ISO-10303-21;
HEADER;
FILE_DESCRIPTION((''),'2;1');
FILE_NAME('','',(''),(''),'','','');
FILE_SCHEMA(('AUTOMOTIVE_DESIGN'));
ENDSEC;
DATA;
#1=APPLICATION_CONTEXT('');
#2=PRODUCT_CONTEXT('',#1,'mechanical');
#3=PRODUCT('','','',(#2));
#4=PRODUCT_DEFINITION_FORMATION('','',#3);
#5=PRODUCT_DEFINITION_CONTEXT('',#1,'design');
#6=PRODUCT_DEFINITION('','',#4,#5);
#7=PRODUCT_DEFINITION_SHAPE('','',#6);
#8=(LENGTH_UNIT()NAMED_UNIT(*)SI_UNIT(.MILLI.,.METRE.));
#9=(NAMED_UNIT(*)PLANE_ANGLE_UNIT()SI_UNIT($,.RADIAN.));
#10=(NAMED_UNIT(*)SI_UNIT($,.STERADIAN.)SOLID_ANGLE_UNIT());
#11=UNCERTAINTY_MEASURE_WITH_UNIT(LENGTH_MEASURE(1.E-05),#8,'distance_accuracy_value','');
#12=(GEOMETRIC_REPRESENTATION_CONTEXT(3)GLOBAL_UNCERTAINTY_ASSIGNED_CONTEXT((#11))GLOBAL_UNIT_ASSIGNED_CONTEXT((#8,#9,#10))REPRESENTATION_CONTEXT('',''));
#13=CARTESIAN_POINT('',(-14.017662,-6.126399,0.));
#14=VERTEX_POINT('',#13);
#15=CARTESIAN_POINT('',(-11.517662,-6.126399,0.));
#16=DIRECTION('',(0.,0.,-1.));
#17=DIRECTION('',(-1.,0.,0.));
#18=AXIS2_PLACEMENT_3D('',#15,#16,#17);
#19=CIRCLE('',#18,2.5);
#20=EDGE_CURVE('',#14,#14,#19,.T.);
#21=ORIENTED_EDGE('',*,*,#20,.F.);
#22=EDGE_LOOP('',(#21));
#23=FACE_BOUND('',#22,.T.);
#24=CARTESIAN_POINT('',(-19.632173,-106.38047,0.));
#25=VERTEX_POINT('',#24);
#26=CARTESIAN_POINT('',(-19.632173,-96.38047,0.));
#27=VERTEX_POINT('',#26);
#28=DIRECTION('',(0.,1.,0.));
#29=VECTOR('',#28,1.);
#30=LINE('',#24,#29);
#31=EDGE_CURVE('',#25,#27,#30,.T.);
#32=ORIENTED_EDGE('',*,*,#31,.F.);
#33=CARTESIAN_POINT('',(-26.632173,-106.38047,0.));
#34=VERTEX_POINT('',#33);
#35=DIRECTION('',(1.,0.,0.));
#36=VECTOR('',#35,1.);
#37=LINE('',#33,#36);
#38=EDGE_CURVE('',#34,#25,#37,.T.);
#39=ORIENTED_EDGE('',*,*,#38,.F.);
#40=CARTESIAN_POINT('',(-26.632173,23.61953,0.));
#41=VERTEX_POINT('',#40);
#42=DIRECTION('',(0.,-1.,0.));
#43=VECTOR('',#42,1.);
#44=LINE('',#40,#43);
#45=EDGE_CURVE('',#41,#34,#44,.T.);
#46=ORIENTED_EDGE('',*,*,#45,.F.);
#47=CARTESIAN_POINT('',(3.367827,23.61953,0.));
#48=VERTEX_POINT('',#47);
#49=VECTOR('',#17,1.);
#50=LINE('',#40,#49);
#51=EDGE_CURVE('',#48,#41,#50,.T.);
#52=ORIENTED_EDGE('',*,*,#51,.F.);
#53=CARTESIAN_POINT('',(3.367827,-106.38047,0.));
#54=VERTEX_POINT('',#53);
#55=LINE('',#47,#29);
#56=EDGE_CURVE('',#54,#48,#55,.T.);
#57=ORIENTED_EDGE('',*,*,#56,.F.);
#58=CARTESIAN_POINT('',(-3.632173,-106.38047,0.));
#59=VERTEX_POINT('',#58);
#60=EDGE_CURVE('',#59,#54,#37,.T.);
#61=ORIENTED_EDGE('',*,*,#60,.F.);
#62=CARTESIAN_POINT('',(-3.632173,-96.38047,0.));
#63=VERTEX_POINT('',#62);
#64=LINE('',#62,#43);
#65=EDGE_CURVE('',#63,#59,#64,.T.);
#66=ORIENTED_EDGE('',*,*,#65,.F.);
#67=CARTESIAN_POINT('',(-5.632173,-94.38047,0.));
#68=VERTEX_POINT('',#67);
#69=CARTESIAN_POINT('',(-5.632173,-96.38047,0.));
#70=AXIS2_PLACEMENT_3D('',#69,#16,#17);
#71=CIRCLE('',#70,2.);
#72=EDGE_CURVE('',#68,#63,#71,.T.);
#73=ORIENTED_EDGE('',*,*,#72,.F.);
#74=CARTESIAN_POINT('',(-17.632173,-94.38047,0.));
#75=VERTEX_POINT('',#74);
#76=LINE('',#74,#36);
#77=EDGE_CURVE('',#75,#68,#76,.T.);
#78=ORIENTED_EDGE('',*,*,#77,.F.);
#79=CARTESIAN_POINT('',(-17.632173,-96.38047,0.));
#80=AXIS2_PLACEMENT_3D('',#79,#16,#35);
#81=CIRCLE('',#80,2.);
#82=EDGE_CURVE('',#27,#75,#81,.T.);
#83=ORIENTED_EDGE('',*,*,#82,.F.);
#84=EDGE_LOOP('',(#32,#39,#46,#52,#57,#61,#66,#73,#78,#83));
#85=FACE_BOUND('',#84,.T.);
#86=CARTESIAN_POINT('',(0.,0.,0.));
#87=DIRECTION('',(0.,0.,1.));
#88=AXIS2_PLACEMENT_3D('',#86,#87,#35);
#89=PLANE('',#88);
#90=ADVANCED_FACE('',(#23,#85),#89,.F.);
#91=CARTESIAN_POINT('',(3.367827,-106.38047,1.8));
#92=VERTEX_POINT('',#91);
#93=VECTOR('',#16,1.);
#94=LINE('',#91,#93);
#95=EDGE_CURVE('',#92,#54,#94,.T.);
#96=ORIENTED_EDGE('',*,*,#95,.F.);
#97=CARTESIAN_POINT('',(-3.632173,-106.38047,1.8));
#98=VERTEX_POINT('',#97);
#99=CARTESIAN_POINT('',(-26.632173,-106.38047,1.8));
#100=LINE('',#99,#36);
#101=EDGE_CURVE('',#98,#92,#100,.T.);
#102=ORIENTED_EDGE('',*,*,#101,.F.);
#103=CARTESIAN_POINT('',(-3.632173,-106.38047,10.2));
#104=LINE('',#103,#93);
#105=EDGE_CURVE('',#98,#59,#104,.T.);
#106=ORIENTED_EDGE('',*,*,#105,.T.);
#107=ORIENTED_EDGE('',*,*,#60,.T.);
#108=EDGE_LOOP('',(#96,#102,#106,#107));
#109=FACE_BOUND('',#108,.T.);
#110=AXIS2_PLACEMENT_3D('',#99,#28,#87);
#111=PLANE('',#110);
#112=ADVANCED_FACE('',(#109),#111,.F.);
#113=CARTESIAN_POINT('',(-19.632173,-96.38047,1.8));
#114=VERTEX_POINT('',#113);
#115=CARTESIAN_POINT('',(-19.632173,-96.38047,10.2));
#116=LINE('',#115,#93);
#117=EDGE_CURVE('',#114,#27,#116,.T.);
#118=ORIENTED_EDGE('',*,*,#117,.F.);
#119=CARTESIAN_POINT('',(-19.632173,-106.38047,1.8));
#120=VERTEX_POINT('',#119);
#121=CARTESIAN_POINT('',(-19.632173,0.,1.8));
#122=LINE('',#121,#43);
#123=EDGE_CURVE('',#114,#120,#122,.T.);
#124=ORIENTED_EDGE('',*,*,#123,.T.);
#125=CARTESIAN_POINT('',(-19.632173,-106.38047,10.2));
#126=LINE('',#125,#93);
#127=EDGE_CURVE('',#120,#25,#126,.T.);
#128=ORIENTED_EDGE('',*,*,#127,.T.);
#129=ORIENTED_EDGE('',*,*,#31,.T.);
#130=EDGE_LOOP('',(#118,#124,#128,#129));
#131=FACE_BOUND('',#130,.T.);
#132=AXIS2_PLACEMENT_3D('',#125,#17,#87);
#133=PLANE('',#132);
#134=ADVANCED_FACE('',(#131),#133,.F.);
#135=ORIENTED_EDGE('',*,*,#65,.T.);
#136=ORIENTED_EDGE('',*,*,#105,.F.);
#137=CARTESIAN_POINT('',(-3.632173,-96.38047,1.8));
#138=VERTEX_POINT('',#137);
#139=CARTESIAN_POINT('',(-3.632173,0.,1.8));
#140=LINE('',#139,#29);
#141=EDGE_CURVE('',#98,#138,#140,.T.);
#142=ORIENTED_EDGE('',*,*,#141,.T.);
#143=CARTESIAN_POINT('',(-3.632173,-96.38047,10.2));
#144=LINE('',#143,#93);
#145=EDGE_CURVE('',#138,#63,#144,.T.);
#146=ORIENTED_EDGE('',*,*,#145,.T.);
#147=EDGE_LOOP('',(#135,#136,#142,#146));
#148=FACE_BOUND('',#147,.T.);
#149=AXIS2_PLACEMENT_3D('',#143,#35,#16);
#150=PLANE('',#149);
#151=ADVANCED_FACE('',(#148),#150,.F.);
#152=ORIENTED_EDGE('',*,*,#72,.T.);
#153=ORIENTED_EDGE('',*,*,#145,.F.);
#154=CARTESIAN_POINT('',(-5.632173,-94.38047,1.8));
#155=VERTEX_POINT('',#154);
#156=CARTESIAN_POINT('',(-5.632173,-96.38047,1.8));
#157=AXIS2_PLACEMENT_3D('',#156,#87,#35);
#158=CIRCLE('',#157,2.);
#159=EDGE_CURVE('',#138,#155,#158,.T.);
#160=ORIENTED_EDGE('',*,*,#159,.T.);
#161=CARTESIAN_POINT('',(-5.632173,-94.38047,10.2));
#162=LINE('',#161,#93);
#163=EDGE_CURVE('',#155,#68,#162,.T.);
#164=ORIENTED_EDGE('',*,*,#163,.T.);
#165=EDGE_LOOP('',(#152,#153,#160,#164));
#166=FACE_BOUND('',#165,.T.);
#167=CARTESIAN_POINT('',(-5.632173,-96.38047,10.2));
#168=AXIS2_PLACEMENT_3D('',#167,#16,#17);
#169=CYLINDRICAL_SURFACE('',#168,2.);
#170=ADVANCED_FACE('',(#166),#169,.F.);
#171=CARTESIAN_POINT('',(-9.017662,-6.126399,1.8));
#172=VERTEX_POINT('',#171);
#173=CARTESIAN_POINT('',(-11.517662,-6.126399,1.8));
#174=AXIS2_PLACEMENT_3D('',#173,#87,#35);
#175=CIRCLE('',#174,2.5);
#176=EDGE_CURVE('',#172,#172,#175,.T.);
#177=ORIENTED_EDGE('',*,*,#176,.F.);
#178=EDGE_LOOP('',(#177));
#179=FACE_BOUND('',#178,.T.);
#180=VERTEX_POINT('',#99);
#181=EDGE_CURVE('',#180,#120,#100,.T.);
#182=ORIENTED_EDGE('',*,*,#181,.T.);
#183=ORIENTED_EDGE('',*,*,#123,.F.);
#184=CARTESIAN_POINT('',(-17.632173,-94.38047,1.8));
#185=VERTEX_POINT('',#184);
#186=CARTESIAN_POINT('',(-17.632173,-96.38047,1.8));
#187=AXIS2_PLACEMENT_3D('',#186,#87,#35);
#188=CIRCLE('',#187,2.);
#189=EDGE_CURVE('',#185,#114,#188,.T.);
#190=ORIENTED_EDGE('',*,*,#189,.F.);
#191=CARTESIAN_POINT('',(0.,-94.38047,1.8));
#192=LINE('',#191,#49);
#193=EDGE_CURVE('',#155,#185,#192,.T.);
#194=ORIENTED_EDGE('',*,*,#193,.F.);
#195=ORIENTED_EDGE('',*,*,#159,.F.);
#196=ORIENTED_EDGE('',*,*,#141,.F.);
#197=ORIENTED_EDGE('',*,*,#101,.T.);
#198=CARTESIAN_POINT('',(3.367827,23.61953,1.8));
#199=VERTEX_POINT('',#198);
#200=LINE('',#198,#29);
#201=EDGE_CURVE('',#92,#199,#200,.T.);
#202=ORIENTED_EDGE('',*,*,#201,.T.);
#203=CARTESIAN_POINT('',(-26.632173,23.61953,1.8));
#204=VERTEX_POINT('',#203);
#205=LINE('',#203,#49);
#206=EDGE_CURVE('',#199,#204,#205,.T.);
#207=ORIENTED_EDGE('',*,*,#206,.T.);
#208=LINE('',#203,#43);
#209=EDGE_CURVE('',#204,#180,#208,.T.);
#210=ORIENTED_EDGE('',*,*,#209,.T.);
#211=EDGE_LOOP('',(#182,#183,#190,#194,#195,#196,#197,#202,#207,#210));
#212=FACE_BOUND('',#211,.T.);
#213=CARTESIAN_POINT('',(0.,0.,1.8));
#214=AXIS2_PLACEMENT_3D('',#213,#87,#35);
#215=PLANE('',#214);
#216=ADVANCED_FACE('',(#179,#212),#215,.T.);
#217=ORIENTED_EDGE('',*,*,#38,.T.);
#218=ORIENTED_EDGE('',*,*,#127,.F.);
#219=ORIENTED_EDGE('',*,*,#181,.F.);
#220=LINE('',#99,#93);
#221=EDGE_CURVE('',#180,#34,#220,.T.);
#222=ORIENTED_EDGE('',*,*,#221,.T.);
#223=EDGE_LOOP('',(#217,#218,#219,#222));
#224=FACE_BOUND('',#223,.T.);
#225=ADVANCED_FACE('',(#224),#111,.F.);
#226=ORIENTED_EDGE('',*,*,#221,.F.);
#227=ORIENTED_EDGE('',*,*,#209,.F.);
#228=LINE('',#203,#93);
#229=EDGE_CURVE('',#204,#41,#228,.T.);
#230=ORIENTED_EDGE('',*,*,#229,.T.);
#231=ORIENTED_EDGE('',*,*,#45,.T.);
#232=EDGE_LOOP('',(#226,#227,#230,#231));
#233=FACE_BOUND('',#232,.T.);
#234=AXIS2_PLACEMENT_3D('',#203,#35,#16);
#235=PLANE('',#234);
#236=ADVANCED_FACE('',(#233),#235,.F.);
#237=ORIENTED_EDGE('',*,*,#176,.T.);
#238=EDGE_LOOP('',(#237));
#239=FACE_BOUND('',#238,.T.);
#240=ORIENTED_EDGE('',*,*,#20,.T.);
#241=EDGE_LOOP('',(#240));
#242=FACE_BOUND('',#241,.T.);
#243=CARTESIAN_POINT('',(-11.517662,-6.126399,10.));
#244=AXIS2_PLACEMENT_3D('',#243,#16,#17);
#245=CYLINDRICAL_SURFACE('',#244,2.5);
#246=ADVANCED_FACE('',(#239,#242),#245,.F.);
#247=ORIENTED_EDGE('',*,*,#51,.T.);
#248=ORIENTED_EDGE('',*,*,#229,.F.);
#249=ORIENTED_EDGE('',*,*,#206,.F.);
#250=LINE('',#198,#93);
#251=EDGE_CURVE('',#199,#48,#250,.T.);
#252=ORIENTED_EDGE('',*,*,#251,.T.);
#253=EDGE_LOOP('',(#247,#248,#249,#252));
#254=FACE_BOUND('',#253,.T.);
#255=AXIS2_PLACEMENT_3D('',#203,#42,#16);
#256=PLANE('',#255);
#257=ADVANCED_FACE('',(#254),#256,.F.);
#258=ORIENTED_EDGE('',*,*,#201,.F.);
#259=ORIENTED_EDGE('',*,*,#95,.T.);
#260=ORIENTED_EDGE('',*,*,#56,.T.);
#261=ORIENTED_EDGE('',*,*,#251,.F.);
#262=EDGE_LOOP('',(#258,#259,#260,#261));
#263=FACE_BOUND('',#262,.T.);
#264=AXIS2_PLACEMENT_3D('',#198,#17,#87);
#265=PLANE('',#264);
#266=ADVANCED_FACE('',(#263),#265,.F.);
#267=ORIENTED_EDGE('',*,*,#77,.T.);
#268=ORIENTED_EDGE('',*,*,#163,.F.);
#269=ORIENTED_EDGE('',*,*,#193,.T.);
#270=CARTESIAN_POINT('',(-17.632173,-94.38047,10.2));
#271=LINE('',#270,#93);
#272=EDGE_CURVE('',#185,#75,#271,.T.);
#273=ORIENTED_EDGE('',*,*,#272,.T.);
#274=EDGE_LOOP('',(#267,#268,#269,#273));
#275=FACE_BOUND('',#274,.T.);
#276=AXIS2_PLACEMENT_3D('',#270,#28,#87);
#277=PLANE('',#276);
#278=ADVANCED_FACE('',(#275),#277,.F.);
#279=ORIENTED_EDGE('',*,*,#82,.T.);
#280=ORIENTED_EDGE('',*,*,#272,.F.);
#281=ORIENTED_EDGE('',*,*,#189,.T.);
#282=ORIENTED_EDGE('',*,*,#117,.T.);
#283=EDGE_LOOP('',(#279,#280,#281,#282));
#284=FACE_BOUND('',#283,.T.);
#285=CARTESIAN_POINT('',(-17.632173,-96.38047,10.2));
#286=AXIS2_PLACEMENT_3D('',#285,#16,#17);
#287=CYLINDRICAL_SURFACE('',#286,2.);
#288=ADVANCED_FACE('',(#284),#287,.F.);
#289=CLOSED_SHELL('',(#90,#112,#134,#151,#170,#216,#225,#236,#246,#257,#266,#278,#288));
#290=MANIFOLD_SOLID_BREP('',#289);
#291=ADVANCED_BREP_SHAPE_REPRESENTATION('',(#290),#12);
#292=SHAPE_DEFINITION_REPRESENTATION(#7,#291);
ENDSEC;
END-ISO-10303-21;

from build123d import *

# Parameters (mm, degrees)
ESBO_O1_W                = 30
ESBO_O1_H                = 130
RESSALTO_EXTRUS_O1_DEPTH = 1.8
ESBO_O2_R                = 2.5
CORTE_EXTRUS_O1_DEPTH    = 10
CORTE_EXTRUS_O2_DEPTH    = 10.2


with BuildPart() as part:
    # Esboço1 → Ressalto-extrusão1 (new body)
    with BuildSketch(Plane.XY):
        with Locations((-11.632173448, -41.380470016)):
            Rectangle(ESBO_O1_W, ESBO_O1_H)
    extrude(amount=RESSALTO_EXTRUS_O1_DEPTH)

    # Esboço2 → Corte-extrusão1 (cut)
    with BuildSketch(Plane(origin=(0, 0, 0), x_dir=(-1, 0, 0), z_dir=(0, 0, -1))):
        with Locations((11.517661918, -6.126398996)):
            Circle(ESBO_O2_R)
    extrude(amount=-CORTE_EXTRUS_O1_DEPTH, mode=Mode.SUBTRACT)

    # Esboço3 → Corte-extrusão2 (cut)
    with BuildSketch(Plane(origin=(0, 0, 0), x_dir=(-1, 0, 0), z_dir=(0, 0, -1))):
        with BuildLine():
            Line((3.632173448, -106.380470016), (19.632173448, -106.380470016))
            Line((19.632173448, -106.380470016), (19.632173448, -96.380470016))
            ThreePointArc((19.632173448, -96.380470016), (19.04638701, -94.966256454), (17.632173448, -94.380470016))
            Line((17.632173448, -94.380470016), (5.632173448, -94.380470016))
            ThreePointArc((5.632173448, -94.380470016), (4.217959885, -94.966256454), (3.632173448, -96.380470016))
            Line((3.632173448, -96.380470016), (3.632173448, -106.380470016))
        make_face()
    extrude(amount=-CORTE_EXTRUS_O2_DEPTH, mode=Mode.SUBTRACT)


solid = part.part
